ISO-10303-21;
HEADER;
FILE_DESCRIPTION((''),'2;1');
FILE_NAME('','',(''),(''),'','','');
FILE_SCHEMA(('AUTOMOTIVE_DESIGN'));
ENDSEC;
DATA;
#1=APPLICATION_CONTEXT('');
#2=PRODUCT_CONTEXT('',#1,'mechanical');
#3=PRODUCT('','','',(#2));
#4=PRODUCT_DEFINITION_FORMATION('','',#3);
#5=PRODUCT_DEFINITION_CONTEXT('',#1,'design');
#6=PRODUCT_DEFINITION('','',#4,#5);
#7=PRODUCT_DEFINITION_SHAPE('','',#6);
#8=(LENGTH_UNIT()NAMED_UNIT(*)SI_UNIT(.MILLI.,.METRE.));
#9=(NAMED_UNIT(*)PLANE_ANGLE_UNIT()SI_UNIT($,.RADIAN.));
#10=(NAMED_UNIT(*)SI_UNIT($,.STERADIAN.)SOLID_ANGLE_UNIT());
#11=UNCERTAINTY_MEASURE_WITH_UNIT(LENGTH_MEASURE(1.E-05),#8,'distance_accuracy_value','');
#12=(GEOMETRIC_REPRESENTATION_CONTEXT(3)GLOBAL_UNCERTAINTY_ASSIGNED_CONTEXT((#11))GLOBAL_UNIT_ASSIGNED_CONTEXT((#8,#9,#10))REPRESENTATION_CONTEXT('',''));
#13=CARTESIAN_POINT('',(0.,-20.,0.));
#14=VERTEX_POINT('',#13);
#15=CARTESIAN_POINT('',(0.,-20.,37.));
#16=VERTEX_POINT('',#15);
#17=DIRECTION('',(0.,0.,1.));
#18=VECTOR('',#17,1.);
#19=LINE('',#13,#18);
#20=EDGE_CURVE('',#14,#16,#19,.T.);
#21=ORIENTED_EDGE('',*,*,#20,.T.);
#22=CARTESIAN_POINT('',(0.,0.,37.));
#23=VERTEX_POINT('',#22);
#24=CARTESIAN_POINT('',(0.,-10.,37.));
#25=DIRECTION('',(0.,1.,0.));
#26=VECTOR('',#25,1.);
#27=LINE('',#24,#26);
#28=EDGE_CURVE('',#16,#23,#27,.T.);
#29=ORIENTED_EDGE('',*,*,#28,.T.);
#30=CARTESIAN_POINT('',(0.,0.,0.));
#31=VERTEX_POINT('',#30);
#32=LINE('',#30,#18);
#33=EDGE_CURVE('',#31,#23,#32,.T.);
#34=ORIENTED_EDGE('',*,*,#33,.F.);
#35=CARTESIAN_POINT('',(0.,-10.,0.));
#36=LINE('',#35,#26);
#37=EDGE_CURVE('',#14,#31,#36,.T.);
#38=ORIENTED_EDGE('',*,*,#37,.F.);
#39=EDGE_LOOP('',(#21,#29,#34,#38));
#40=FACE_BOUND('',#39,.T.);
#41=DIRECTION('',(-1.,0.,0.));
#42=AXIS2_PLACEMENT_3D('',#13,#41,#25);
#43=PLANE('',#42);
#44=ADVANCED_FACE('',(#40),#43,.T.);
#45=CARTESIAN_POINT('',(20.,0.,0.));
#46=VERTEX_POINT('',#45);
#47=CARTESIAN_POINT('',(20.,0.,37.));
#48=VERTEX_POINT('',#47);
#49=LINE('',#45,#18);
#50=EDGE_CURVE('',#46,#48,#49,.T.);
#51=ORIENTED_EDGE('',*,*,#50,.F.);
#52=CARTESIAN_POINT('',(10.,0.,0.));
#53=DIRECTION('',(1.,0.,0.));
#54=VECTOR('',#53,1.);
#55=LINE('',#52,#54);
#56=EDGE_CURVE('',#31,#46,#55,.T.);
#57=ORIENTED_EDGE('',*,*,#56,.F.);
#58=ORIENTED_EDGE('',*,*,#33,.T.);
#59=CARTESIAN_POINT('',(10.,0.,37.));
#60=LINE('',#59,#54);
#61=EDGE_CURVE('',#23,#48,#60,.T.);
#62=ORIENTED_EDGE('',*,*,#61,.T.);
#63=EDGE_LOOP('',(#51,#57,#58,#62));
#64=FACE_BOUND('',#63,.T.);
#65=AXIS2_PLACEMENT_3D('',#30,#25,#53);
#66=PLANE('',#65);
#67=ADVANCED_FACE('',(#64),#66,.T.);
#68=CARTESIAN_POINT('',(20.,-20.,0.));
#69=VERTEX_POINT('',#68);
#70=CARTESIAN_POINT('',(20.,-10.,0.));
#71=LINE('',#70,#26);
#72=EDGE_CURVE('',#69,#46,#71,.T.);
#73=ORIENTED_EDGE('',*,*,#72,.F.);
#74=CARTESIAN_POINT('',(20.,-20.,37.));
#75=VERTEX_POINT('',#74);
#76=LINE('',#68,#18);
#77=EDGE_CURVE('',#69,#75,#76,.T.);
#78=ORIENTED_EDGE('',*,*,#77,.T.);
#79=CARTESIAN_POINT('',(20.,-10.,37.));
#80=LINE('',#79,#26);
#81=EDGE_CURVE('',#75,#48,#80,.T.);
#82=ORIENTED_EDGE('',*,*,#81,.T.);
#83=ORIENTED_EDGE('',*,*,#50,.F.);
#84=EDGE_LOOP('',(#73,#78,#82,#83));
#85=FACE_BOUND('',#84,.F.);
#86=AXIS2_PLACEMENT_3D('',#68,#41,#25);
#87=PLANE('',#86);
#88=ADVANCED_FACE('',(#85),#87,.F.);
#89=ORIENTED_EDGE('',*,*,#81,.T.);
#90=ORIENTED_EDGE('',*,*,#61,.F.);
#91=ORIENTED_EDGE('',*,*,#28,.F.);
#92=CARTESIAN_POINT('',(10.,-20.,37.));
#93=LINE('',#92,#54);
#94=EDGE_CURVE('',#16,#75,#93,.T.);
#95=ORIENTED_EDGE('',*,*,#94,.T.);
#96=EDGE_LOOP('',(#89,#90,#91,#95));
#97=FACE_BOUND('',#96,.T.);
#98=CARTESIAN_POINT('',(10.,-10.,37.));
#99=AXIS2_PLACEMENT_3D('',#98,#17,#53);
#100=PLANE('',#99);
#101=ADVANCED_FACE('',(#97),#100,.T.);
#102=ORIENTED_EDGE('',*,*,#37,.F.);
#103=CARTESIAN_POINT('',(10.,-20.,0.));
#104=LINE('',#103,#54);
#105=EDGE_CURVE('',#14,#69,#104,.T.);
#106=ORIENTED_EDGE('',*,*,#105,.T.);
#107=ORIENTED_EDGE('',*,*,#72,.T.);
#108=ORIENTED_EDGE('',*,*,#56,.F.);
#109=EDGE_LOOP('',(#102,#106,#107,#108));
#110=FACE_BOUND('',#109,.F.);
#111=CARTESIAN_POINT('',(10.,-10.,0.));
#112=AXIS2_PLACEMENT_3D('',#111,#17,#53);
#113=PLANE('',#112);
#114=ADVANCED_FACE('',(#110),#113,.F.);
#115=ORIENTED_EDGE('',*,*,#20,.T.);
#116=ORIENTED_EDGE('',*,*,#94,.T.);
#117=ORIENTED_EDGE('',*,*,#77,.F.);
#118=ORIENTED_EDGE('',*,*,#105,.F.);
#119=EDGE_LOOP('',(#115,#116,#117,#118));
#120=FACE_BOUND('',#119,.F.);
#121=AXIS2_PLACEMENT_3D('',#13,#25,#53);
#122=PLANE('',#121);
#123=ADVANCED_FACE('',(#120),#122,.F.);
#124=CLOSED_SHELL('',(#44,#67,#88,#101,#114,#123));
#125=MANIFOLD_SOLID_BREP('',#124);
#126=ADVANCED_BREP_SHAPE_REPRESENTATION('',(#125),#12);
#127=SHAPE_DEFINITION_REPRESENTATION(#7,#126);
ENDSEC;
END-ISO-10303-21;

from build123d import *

# Parameters (mm, degrees)
SKETCH_W  = 20
SKETCH_H  = 20
PAD_DEPTH = 37


with BuildPart() as part:
    # Sketch → Pad (new body)
    with BuildSketch(Plane.XY):
        with Locations((10, -10)):
            Rectangle(SKETCH_W, SKETCH_H)
    extrude(amount=PAD_DEPTH)


solid = part.part
